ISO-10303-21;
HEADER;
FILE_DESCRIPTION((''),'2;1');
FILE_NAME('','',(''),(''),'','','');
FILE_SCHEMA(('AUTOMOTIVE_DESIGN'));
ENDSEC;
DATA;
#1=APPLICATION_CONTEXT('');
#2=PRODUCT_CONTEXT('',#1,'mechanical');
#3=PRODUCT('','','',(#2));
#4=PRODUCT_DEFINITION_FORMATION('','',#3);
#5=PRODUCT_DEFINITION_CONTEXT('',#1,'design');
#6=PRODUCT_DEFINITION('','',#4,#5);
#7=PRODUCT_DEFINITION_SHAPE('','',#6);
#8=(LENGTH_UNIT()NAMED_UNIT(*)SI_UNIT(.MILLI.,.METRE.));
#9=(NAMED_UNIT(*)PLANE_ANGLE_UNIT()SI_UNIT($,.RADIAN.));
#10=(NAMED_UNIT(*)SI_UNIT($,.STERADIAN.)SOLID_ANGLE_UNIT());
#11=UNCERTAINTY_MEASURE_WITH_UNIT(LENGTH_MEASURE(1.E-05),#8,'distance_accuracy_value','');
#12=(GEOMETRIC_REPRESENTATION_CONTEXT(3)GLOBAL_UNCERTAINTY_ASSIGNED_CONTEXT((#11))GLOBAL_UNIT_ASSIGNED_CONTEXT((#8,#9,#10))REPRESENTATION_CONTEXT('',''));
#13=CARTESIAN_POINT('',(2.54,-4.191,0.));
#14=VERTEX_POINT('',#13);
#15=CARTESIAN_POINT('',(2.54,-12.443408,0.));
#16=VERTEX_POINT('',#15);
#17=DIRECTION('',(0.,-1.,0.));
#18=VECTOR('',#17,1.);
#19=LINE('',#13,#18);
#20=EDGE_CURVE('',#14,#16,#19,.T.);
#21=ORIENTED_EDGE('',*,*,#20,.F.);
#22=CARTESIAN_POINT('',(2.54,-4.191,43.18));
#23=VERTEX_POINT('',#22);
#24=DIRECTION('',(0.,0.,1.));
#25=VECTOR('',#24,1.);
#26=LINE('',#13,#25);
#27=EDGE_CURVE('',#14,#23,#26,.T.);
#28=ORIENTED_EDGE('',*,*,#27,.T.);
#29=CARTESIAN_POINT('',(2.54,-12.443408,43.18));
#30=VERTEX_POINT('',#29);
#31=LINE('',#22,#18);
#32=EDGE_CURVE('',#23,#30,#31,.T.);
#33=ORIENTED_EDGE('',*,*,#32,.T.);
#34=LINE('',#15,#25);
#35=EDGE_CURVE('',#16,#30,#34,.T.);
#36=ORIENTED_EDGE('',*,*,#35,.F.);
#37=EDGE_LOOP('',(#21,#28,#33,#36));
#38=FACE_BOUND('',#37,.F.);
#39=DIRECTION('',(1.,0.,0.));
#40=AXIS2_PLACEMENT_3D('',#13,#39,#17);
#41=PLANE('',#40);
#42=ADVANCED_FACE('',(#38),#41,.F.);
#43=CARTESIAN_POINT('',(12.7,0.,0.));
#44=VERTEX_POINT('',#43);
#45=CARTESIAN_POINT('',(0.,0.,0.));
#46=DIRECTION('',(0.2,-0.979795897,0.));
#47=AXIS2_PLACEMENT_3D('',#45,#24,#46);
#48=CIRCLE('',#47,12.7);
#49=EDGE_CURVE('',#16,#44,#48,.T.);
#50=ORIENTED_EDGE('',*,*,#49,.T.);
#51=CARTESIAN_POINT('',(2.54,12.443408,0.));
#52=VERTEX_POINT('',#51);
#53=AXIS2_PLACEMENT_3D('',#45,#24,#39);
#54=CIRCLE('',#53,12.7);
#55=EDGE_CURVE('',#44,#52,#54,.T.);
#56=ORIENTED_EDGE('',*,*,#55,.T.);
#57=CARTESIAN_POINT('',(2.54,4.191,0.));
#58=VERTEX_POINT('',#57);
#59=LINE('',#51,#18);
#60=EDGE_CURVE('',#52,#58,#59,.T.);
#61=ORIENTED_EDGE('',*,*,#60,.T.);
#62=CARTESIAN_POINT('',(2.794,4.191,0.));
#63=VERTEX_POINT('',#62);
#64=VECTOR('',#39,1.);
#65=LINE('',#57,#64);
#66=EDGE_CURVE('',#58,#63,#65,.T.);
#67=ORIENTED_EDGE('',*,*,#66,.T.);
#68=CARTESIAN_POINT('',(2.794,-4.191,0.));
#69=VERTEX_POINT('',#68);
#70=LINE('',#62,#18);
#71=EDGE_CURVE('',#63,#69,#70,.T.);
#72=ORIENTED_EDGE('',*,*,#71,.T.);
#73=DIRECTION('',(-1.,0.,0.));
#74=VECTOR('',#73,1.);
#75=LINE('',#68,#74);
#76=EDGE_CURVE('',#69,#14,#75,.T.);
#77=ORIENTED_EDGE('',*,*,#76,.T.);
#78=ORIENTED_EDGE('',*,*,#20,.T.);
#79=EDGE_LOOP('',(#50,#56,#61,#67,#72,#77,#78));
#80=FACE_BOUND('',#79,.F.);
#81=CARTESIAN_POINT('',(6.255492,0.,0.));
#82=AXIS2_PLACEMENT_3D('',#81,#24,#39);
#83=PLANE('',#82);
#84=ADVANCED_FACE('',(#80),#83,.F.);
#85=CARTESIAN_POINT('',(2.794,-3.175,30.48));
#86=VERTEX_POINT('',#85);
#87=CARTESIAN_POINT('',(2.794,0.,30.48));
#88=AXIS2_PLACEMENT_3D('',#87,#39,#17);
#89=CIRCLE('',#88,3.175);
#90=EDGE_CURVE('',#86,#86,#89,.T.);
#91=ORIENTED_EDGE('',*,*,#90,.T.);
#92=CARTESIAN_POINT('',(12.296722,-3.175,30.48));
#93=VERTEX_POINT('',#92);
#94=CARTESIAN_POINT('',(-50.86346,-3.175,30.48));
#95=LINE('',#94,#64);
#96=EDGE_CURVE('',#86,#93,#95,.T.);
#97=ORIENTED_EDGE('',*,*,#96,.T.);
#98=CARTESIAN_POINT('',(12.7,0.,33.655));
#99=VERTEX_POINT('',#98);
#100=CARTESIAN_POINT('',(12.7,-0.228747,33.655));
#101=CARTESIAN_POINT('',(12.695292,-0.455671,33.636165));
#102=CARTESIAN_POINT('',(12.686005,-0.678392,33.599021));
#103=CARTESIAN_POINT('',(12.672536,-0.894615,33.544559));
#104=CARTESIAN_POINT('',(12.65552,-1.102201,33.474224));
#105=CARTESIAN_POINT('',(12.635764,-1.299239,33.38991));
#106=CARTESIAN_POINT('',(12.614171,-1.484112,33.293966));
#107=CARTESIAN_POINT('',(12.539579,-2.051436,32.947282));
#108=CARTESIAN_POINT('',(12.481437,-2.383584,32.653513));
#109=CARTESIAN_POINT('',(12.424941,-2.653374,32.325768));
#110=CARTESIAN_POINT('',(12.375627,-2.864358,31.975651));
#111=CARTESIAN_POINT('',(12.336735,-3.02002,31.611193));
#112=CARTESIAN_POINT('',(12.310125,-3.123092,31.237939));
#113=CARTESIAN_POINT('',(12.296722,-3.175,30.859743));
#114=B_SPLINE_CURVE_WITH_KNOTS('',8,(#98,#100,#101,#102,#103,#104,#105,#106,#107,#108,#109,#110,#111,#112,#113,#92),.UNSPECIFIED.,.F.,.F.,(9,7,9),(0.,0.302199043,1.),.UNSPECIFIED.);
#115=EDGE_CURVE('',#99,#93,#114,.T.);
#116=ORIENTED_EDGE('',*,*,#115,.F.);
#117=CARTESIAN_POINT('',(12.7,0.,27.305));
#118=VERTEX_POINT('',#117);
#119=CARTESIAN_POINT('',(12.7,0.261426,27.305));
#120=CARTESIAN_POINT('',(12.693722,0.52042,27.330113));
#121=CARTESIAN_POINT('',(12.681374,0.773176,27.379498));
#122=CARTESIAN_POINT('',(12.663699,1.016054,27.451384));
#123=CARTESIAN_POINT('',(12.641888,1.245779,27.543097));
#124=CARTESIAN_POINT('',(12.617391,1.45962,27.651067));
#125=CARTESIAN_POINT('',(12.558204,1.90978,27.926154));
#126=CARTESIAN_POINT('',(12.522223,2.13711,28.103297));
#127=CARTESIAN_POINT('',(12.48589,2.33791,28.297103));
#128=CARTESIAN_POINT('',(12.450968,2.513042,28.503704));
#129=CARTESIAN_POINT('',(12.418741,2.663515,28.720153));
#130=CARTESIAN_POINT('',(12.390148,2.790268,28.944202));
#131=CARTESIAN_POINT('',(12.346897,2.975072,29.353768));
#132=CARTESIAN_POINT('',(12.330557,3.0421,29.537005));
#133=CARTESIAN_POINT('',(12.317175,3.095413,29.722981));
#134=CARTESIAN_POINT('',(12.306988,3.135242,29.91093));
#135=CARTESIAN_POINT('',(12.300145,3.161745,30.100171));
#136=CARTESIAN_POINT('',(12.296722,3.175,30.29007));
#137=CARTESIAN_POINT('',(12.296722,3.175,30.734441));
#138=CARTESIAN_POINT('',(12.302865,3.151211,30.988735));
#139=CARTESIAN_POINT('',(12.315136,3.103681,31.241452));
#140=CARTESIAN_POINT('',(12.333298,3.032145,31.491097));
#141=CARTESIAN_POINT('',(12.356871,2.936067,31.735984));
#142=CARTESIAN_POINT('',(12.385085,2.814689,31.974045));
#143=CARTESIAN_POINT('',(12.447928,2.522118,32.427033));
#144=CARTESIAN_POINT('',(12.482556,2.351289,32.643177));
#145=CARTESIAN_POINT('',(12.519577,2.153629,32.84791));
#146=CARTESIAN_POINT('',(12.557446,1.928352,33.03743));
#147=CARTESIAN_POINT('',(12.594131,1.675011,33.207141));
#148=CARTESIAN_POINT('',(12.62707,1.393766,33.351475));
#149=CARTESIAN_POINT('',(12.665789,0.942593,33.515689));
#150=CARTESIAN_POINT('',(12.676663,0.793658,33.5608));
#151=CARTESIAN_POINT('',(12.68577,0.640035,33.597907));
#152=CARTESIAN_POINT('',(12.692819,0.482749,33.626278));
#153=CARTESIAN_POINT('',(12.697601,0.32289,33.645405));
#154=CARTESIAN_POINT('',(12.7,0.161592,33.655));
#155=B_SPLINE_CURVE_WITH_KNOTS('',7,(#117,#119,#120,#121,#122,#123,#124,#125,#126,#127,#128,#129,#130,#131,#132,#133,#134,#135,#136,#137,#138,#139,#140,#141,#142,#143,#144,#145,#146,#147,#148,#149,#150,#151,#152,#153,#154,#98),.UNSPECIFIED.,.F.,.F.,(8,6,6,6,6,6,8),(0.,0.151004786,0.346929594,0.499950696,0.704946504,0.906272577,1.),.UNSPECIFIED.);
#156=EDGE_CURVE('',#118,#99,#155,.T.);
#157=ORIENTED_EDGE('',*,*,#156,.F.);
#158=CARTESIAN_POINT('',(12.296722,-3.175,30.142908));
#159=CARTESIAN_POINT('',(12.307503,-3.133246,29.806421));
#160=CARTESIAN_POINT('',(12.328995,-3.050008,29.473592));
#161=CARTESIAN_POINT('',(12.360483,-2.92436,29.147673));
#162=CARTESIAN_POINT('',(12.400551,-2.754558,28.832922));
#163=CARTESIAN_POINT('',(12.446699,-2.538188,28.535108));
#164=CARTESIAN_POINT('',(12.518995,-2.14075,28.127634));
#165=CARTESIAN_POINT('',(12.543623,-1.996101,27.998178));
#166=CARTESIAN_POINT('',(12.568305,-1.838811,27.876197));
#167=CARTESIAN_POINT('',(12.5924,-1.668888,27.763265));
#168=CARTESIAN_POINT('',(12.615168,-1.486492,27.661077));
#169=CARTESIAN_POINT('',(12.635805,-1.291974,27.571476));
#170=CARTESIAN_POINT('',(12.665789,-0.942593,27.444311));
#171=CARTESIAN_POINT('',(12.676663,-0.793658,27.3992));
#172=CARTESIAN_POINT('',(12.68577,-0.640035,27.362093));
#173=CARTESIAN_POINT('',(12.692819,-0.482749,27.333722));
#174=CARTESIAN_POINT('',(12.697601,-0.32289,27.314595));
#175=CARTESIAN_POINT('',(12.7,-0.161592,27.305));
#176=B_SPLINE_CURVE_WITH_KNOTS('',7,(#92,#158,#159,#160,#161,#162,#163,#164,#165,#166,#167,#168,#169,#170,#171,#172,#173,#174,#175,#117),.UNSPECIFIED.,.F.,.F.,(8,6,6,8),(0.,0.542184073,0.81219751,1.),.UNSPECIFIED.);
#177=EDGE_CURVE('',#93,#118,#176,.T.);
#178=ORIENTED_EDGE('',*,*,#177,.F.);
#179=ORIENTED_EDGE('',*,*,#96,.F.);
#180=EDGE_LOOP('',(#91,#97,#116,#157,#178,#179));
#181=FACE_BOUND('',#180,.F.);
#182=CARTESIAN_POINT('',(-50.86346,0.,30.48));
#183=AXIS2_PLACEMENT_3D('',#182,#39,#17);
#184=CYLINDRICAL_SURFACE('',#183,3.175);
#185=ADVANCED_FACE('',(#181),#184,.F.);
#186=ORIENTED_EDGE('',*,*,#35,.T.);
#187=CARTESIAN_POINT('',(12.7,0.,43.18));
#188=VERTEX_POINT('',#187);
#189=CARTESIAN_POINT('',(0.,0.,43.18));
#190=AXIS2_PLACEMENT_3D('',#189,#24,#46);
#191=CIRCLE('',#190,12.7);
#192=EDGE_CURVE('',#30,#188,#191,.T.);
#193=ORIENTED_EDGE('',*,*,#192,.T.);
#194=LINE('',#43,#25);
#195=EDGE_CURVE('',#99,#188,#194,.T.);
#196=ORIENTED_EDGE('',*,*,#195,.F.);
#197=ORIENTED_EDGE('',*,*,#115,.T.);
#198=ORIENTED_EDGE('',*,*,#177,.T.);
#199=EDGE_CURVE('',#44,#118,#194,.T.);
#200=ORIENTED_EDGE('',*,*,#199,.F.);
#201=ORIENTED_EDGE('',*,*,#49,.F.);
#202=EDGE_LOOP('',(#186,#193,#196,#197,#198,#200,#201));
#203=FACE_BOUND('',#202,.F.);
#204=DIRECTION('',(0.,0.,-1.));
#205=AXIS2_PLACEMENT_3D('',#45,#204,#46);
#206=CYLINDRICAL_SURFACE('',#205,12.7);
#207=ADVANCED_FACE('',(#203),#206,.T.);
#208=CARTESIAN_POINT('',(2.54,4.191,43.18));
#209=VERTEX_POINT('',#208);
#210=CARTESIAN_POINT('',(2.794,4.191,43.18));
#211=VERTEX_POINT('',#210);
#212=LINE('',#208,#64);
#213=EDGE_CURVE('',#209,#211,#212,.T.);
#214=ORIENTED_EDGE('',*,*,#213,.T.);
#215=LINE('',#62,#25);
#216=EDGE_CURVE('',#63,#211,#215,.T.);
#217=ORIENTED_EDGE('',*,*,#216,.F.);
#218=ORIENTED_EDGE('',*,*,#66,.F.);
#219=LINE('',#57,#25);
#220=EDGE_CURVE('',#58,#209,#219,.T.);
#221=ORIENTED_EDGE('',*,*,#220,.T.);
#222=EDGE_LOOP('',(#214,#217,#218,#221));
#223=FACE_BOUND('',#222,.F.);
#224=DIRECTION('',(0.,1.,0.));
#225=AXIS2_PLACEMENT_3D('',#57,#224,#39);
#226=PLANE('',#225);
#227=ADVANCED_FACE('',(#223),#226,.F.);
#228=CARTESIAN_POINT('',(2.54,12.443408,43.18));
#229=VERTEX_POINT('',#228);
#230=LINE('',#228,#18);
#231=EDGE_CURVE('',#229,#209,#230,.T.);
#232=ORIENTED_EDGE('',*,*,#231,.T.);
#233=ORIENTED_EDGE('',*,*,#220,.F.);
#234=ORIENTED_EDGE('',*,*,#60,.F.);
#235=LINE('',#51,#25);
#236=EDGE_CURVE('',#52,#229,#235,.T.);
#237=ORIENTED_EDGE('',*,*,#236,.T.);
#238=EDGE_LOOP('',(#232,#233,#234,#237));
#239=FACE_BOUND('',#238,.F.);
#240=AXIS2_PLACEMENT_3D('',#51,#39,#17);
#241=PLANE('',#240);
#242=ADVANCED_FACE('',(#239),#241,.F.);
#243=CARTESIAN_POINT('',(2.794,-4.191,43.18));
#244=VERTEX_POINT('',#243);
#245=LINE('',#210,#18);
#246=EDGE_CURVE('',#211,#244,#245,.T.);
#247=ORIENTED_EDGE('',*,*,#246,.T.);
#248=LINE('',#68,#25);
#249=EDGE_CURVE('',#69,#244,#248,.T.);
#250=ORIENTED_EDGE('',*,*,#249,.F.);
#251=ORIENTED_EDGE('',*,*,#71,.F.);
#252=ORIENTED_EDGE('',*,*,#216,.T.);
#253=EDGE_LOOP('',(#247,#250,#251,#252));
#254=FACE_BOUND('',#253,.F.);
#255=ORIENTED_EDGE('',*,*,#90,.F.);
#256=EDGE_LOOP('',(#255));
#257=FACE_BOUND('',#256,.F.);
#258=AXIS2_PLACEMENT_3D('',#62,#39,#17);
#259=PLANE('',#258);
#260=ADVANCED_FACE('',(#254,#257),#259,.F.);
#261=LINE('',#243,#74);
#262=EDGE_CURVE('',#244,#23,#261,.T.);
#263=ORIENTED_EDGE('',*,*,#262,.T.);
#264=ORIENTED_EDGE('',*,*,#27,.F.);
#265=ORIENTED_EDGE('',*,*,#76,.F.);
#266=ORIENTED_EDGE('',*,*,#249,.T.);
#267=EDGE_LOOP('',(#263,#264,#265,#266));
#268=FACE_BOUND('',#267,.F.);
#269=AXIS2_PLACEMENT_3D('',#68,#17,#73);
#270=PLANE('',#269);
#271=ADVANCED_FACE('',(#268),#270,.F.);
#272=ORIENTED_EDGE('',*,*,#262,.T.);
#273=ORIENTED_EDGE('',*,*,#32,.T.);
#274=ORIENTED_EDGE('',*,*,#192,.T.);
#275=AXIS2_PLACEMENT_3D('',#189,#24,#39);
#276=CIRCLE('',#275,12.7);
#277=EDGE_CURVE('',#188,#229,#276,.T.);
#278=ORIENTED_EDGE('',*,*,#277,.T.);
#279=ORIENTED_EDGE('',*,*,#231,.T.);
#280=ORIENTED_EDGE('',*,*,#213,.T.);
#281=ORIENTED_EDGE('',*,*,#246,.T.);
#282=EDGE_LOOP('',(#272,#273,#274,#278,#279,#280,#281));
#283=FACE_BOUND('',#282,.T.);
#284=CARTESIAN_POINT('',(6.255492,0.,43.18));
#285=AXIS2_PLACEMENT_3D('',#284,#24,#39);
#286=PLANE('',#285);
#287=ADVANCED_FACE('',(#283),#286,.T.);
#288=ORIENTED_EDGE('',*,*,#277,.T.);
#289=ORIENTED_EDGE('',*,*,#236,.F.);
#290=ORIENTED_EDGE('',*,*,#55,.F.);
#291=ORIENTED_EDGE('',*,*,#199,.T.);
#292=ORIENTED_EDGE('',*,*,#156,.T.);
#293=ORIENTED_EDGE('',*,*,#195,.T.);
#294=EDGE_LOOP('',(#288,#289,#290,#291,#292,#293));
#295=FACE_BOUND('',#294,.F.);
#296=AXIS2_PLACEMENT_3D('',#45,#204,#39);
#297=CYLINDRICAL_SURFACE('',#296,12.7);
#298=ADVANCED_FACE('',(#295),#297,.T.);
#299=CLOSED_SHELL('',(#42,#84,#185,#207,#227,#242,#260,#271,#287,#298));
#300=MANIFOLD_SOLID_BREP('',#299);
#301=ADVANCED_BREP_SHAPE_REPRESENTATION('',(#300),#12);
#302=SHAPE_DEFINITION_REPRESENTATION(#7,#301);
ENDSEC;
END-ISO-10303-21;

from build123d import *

# Parameters (mm, degrees)
F1_DEPTH = 43.18
F3_D     = 6.35


with BuildPart() as f1:
    # F0 (on Top) → F1 (new body)
    with BuildSketch(Plane.XY):
        with BuildLine():
            ThreePointArc((2.54, -12.4434078933), (9.8373776994, -8.0321852568), (12.7, 0))
            ThreePointArc((12.7, 0), (9.8373776994, 8.0321852568), (2.54, 12.4434078933))
            Line((2.54, 12.4434078933), (2.54, 4.191))
            Line((2.54, 4.191), (2.794, 4.191))
            Line((2.794, 4.191), (2.794, -4.191))
            Line((2.794, -4.191), (2.54, -4.191))
            Line((2.54, -4.191), (2.54, -12.4434078933))
        make_face()
    extrude(amount=F1_DEPTH)

    # F3 (through all)
    with Locations(Plane(origin=(0, 0, 0), x_dir=(0, 1, 0), z_dir=(-1, 0, 0))):
        with Locations((0, -30.48)):
            Hole(F3_D / 2)


solid = f1.part
